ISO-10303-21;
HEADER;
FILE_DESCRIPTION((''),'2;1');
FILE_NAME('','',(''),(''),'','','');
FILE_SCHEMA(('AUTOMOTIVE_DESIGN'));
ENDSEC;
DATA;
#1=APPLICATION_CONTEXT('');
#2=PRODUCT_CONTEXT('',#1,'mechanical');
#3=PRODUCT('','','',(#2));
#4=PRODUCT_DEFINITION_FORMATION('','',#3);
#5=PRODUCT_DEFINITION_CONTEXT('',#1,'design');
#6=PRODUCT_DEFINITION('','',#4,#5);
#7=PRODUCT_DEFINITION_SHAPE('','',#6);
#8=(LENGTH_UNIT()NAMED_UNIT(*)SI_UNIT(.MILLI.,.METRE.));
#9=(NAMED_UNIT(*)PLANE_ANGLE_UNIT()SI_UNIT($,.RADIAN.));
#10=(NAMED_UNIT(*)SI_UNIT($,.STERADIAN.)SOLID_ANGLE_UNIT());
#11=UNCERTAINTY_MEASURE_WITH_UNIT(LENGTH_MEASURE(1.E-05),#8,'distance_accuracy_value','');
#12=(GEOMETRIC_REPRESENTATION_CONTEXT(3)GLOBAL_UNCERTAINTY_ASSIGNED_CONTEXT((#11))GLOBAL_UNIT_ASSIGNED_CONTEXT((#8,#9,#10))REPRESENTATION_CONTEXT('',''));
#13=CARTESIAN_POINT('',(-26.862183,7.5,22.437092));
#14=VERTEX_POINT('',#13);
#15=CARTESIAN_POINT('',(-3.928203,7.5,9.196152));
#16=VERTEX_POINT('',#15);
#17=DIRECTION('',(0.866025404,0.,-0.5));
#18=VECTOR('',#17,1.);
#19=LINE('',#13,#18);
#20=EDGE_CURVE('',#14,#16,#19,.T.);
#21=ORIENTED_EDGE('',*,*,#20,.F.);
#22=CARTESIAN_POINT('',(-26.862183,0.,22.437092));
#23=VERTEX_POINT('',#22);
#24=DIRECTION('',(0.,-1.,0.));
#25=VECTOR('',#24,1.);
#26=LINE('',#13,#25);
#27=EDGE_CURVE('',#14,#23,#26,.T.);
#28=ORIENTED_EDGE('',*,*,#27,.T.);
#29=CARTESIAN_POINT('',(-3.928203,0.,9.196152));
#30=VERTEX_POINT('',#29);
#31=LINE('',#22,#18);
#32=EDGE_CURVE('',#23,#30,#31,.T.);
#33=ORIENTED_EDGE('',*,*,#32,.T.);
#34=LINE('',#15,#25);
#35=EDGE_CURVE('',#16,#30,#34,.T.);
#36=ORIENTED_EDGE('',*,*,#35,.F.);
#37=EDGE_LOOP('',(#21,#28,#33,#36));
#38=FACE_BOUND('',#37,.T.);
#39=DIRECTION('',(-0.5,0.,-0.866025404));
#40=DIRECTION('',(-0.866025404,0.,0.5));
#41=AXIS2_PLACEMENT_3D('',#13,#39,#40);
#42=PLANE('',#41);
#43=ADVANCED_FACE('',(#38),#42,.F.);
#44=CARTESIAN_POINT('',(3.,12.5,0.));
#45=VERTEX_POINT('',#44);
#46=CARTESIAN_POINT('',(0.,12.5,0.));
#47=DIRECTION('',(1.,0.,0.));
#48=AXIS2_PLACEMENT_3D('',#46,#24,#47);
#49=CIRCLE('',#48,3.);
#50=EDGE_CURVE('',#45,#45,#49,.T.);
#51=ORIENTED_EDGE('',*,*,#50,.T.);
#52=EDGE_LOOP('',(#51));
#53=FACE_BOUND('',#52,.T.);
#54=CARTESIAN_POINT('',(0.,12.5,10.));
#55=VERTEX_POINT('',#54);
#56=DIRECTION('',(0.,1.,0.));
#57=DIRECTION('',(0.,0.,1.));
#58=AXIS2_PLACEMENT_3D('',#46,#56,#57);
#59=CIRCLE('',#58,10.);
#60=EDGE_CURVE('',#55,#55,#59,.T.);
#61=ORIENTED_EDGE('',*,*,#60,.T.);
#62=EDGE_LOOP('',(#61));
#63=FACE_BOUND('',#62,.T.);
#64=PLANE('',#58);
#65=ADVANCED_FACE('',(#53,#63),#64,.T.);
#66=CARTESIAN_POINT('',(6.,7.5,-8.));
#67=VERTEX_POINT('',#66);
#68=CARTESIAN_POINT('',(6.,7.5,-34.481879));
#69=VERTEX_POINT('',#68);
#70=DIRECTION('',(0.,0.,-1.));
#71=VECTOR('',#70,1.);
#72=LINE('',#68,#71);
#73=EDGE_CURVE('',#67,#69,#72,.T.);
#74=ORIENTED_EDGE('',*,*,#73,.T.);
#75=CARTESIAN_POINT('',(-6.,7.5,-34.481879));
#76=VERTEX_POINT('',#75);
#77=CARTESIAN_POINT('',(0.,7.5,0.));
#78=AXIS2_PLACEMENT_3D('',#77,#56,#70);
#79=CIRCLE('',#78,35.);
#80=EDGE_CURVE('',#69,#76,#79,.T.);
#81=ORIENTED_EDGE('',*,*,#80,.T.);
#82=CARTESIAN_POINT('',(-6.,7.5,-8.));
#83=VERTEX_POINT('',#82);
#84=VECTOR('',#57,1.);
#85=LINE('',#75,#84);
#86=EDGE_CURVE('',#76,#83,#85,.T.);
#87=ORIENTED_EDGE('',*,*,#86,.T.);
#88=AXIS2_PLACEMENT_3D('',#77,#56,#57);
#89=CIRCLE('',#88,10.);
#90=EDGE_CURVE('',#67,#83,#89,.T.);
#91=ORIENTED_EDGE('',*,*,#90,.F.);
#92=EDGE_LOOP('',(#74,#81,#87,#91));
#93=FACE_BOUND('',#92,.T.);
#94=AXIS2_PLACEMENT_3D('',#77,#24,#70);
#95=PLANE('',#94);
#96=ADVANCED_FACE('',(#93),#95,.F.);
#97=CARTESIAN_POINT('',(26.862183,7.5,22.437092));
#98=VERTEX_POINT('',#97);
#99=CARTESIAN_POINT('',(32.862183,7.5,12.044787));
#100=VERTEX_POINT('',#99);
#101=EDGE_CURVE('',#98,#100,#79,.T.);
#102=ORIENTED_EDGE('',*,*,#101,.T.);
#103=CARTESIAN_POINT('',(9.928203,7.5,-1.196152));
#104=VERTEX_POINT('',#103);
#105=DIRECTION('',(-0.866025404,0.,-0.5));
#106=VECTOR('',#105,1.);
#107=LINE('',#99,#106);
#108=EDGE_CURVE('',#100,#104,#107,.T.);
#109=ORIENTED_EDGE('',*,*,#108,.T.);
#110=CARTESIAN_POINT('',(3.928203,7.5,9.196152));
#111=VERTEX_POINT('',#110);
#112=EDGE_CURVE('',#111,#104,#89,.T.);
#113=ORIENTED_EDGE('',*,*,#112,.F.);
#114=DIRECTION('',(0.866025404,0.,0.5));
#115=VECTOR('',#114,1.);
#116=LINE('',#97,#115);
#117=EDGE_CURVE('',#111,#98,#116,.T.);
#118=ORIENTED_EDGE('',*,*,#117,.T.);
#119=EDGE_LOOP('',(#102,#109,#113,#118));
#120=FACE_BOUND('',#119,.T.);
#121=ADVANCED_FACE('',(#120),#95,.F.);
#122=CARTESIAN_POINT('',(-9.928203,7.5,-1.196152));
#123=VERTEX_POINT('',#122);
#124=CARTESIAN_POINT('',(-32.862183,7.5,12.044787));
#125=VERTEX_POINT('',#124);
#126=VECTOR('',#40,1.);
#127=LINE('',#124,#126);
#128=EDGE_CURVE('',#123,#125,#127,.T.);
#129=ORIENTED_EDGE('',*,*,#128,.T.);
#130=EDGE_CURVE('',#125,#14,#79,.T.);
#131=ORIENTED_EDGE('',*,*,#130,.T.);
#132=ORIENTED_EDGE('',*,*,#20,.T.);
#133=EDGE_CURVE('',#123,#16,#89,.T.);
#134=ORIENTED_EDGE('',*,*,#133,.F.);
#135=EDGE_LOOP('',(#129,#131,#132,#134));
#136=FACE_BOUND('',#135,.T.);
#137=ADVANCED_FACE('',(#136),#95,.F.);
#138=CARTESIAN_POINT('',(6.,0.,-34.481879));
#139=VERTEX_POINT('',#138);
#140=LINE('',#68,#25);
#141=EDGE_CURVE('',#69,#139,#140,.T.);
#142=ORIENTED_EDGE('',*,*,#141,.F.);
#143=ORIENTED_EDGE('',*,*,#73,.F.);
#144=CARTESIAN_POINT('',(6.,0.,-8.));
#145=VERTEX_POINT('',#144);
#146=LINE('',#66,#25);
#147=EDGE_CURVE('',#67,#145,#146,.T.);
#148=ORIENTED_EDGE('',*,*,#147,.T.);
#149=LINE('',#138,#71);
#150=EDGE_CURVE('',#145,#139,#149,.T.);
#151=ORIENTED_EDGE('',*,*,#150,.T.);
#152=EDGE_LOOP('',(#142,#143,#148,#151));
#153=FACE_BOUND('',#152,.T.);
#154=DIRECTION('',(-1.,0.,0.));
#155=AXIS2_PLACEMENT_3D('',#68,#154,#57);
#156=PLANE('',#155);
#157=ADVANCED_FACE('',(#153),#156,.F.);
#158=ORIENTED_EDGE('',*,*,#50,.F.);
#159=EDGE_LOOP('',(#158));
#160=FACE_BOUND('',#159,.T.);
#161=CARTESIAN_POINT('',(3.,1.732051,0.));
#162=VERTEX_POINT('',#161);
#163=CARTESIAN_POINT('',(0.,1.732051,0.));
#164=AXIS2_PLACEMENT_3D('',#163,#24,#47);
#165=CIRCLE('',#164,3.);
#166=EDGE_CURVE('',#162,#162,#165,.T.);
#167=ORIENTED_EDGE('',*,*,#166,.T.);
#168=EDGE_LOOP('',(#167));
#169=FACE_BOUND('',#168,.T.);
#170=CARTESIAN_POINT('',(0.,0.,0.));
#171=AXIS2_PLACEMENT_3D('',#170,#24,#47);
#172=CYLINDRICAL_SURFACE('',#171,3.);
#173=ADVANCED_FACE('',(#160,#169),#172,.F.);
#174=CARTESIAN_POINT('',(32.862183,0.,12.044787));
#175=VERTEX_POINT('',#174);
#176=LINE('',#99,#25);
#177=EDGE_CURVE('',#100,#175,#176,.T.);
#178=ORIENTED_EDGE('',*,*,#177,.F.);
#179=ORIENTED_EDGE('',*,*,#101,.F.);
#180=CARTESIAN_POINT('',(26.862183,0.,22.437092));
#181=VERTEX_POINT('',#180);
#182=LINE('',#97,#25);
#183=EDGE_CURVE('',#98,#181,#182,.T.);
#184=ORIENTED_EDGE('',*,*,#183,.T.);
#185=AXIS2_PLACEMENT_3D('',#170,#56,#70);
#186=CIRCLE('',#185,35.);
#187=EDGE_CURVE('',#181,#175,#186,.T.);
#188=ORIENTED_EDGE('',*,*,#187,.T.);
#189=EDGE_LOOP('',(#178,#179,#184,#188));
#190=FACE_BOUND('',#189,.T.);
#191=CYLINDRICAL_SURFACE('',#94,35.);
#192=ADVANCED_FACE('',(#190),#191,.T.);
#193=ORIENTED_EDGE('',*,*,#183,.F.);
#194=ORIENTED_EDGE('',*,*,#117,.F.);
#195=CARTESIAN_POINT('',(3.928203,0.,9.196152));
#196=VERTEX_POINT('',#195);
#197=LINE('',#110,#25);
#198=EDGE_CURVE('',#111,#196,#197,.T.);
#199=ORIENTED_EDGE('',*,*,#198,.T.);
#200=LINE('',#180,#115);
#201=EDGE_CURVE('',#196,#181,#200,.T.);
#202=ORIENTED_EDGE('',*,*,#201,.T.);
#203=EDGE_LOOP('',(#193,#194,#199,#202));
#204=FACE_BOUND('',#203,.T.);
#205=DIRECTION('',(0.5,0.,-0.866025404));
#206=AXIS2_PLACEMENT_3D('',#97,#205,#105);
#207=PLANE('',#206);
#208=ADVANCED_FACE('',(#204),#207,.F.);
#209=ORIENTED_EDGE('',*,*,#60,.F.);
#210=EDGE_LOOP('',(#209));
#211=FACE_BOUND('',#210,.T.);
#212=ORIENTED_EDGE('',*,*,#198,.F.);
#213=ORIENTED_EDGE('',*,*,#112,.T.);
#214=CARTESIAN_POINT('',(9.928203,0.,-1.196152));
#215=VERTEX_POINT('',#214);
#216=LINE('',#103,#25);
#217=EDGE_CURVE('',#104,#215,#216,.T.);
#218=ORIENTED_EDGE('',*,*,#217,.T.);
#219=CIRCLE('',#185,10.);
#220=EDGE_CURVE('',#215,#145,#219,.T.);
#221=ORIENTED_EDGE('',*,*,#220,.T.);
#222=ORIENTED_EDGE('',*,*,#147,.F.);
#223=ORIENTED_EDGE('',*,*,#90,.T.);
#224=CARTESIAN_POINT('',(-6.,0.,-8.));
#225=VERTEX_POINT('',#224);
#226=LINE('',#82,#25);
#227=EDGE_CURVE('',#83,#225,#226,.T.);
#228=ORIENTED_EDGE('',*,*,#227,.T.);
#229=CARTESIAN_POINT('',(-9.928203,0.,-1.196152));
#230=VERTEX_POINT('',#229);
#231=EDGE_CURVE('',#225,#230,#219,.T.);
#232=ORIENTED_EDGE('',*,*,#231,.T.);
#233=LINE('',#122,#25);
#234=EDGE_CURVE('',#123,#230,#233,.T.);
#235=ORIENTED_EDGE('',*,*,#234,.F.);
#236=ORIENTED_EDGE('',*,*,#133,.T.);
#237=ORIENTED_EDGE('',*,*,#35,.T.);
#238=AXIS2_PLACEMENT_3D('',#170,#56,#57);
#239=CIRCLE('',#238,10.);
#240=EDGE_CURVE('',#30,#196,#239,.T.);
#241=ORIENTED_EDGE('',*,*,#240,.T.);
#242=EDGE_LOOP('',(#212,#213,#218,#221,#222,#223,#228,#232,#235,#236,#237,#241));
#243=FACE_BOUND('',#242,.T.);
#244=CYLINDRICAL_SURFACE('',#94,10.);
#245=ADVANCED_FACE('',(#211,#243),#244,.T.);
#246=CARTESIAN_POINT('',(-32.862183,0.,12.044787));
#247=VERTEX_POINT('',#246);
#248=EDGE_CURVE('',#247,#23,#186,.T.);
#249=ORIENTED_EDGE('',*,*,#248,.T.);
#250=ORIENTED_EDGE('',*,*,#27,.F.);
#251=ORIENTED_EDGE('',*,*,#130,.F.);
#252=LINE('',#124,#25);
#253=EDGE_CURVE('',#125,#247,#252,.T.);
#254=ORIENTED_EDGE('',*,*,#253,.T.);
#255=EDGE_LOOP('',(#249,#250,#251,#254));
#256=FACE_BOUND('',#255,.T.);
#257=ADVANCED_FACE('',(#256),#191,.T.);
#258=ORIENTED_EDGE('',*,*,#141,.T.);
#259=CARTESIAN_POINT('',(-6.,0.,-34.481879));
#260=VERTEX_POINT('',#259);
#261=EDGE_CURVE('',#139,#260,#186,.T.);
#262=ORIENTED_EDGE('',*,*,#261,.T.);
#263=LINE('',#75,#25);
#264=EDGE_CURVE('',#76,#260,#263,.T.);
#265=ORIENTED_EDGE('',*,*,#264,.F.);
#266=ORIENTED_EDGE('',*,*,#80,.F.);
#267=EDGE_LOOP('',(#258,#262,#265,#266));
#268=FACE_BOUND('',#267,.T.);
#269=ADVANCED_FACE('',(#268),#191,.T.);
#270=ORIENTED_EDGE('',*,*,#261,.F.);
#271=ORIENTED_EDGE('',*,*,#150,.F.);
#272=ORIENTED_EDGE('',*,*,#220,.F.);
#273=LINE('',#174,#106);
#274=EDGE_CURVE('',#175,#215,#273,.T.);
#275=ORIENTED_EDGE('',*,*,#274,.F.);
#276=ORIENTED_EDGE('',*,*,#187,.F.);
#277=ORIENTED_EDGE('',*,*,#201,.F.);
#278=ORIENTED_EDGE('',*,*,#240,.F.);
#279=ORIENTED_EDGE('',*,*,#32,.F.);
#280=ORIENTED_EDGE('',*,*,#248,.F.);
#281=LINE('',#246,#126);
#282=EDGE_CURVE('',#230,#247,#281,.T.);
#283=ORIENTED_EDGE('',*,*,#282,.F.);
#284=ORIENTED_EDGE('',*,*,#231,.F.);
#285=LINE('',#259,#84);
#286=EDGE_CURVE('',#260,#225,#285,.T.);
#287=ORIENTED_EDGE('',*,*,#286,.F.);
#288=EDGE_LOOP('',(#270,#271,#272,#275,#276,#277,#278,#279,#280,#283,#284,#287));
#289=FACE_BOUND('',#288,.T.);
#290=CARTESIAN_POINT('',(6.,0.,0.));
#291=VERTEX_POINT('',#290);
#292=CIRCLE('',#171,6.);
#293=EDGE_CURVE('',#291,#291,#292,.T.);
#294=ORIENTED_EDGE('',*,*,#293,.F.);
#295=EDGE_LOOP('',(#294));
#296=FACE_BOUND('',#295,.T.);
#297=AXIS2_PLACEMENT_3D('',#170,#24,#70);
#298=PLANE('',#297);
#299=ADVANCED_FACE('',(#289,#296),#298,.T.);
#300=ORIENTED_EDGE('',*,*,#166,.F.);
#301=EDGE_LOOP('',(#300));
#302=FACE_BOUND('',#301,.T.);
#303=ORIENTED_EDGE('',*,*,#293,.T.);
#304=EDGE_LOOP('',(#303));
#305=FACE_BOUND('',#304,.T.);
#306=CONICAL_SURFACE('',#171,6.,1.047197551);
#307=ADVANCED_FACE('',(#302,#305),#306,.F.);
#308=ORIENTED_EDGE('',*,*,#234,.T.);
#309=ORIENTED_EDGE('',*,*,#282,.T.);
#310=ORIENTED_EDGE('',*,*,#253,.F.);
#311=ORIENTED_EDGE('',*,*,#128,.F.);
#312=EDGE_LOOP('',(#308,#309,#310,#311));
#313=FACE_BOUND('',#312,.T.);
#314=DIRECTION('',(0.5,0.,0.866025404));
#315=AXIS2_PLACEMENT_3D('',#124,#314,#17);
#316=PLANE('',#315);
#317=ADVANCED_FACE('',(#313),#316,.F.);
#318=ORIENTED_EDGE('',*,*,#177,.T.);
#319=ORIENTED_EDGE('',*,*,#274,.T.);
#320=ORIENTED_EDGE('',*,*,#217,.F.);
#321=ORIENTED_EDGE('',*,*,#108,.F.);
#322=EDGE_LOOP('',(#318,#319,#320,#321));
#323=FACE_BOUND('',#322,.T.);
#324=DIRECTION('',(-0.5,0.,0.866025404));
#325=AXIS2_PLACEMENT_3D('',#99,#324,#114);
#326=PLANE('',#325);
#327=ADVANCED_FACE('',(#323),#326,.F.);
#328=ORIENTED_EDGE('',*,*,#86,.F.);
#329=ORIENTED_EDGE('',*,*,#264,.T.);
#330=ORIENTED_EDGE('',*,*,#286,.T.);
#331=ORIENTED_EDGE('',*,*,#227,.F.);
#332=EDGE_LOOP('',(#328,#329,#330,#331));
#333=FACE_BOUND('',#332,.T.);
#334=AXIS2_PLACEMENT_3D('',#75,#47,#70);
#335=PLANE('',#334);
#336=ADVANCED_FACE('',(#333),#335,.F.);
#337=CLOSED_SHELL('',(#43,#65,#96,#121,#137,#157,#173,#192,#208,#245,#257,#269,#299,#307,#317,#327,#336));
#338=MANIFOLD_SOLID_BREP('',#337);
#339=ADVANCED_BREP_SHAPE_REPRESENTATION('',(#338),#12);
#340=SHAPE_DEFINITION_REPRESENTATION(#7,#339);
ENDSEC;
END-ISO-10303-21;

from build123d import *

# Parameters (mm, degrees)
BOSS_EXTRUDE1_DEPTH = 7.5
SKETCH2_R           = 10
BOSS_EXTRUDE2_DEPTH = 5


with BuildPart() as part:
    # Sketch1 → Boss-Extrude1 (new body)
    with BuildSketch(Plane(origin=(0, 0, 0), x_dir=(1, 0, 0), z_dir=(0, 1, 0))):
        with BuildLine():
            Line((-6, 34.481879299), (-6, 8))
            ThreePointArc((-6, 8), (-8.660254038, 5), (-9.92820323, 1.196152423))
            Line((-9.92820323, 1.196152423), (-32.862183443, -12.044787227))
            ThreePointArc((-32.862183443, -12.044787227), (-30.310889132, -17.5), (-26.862183443, -22.437092072))
            Line((-26.862183443, -22.437092072), (-3.92820323, -9.196152423))
            ThreePointArc((-3.92820323, -9.196152423), (0, -10), (3.92820323, -9.196152423))
            Line((3.92820323, -9.196152423), (26.862183443, -22.437092072))
            ThreePointArc((26.862183443, -22.437092072), (30.310889132, -17.5), (32.862183443, -12.044787227))
            Line((32.862183443, -12.044787227), (9.92820323, 1.196152423))
            ThreePointArc((9.92820323, 1.196152423), (8.660254038, 5), (6, 8))
            Line((6, 8), (6, 34.481879299))
            ThreePointArc((6, 34.481879299), (0, 35), (-6, 34.481879299))
        make_face()
    extrude(amount=BOSS_EXTRUDE1_DEPTH)

    # Sketch2 → Boss-Extrude2 (add)
    with BuildSketch(Plane(origin=(0, 7.5, 0), x_dir=(1, 0, 0), z_dir=(0, 1, 0))):
        with Locations(Location((0, 0, 0), (0, 0, 53.130102354))):
            Circle(SKETCH2_R)
    extrude(amount=BOSS_EXTRUDE2_DEPTH)

    # Sketch3 → Cut-Revolve1 (revolve, cut)
    with BuildSketch(Plane.XY):
        Polygon((0, 0), (0, 12.5), (3, 12.5), (3, 1.732050808), (6, 0), align=None)
    revolve(axis=Axis((0, 0, 0), (0, 1, 0)), mode=Mode.SUBTRACT)


solid = part.part
